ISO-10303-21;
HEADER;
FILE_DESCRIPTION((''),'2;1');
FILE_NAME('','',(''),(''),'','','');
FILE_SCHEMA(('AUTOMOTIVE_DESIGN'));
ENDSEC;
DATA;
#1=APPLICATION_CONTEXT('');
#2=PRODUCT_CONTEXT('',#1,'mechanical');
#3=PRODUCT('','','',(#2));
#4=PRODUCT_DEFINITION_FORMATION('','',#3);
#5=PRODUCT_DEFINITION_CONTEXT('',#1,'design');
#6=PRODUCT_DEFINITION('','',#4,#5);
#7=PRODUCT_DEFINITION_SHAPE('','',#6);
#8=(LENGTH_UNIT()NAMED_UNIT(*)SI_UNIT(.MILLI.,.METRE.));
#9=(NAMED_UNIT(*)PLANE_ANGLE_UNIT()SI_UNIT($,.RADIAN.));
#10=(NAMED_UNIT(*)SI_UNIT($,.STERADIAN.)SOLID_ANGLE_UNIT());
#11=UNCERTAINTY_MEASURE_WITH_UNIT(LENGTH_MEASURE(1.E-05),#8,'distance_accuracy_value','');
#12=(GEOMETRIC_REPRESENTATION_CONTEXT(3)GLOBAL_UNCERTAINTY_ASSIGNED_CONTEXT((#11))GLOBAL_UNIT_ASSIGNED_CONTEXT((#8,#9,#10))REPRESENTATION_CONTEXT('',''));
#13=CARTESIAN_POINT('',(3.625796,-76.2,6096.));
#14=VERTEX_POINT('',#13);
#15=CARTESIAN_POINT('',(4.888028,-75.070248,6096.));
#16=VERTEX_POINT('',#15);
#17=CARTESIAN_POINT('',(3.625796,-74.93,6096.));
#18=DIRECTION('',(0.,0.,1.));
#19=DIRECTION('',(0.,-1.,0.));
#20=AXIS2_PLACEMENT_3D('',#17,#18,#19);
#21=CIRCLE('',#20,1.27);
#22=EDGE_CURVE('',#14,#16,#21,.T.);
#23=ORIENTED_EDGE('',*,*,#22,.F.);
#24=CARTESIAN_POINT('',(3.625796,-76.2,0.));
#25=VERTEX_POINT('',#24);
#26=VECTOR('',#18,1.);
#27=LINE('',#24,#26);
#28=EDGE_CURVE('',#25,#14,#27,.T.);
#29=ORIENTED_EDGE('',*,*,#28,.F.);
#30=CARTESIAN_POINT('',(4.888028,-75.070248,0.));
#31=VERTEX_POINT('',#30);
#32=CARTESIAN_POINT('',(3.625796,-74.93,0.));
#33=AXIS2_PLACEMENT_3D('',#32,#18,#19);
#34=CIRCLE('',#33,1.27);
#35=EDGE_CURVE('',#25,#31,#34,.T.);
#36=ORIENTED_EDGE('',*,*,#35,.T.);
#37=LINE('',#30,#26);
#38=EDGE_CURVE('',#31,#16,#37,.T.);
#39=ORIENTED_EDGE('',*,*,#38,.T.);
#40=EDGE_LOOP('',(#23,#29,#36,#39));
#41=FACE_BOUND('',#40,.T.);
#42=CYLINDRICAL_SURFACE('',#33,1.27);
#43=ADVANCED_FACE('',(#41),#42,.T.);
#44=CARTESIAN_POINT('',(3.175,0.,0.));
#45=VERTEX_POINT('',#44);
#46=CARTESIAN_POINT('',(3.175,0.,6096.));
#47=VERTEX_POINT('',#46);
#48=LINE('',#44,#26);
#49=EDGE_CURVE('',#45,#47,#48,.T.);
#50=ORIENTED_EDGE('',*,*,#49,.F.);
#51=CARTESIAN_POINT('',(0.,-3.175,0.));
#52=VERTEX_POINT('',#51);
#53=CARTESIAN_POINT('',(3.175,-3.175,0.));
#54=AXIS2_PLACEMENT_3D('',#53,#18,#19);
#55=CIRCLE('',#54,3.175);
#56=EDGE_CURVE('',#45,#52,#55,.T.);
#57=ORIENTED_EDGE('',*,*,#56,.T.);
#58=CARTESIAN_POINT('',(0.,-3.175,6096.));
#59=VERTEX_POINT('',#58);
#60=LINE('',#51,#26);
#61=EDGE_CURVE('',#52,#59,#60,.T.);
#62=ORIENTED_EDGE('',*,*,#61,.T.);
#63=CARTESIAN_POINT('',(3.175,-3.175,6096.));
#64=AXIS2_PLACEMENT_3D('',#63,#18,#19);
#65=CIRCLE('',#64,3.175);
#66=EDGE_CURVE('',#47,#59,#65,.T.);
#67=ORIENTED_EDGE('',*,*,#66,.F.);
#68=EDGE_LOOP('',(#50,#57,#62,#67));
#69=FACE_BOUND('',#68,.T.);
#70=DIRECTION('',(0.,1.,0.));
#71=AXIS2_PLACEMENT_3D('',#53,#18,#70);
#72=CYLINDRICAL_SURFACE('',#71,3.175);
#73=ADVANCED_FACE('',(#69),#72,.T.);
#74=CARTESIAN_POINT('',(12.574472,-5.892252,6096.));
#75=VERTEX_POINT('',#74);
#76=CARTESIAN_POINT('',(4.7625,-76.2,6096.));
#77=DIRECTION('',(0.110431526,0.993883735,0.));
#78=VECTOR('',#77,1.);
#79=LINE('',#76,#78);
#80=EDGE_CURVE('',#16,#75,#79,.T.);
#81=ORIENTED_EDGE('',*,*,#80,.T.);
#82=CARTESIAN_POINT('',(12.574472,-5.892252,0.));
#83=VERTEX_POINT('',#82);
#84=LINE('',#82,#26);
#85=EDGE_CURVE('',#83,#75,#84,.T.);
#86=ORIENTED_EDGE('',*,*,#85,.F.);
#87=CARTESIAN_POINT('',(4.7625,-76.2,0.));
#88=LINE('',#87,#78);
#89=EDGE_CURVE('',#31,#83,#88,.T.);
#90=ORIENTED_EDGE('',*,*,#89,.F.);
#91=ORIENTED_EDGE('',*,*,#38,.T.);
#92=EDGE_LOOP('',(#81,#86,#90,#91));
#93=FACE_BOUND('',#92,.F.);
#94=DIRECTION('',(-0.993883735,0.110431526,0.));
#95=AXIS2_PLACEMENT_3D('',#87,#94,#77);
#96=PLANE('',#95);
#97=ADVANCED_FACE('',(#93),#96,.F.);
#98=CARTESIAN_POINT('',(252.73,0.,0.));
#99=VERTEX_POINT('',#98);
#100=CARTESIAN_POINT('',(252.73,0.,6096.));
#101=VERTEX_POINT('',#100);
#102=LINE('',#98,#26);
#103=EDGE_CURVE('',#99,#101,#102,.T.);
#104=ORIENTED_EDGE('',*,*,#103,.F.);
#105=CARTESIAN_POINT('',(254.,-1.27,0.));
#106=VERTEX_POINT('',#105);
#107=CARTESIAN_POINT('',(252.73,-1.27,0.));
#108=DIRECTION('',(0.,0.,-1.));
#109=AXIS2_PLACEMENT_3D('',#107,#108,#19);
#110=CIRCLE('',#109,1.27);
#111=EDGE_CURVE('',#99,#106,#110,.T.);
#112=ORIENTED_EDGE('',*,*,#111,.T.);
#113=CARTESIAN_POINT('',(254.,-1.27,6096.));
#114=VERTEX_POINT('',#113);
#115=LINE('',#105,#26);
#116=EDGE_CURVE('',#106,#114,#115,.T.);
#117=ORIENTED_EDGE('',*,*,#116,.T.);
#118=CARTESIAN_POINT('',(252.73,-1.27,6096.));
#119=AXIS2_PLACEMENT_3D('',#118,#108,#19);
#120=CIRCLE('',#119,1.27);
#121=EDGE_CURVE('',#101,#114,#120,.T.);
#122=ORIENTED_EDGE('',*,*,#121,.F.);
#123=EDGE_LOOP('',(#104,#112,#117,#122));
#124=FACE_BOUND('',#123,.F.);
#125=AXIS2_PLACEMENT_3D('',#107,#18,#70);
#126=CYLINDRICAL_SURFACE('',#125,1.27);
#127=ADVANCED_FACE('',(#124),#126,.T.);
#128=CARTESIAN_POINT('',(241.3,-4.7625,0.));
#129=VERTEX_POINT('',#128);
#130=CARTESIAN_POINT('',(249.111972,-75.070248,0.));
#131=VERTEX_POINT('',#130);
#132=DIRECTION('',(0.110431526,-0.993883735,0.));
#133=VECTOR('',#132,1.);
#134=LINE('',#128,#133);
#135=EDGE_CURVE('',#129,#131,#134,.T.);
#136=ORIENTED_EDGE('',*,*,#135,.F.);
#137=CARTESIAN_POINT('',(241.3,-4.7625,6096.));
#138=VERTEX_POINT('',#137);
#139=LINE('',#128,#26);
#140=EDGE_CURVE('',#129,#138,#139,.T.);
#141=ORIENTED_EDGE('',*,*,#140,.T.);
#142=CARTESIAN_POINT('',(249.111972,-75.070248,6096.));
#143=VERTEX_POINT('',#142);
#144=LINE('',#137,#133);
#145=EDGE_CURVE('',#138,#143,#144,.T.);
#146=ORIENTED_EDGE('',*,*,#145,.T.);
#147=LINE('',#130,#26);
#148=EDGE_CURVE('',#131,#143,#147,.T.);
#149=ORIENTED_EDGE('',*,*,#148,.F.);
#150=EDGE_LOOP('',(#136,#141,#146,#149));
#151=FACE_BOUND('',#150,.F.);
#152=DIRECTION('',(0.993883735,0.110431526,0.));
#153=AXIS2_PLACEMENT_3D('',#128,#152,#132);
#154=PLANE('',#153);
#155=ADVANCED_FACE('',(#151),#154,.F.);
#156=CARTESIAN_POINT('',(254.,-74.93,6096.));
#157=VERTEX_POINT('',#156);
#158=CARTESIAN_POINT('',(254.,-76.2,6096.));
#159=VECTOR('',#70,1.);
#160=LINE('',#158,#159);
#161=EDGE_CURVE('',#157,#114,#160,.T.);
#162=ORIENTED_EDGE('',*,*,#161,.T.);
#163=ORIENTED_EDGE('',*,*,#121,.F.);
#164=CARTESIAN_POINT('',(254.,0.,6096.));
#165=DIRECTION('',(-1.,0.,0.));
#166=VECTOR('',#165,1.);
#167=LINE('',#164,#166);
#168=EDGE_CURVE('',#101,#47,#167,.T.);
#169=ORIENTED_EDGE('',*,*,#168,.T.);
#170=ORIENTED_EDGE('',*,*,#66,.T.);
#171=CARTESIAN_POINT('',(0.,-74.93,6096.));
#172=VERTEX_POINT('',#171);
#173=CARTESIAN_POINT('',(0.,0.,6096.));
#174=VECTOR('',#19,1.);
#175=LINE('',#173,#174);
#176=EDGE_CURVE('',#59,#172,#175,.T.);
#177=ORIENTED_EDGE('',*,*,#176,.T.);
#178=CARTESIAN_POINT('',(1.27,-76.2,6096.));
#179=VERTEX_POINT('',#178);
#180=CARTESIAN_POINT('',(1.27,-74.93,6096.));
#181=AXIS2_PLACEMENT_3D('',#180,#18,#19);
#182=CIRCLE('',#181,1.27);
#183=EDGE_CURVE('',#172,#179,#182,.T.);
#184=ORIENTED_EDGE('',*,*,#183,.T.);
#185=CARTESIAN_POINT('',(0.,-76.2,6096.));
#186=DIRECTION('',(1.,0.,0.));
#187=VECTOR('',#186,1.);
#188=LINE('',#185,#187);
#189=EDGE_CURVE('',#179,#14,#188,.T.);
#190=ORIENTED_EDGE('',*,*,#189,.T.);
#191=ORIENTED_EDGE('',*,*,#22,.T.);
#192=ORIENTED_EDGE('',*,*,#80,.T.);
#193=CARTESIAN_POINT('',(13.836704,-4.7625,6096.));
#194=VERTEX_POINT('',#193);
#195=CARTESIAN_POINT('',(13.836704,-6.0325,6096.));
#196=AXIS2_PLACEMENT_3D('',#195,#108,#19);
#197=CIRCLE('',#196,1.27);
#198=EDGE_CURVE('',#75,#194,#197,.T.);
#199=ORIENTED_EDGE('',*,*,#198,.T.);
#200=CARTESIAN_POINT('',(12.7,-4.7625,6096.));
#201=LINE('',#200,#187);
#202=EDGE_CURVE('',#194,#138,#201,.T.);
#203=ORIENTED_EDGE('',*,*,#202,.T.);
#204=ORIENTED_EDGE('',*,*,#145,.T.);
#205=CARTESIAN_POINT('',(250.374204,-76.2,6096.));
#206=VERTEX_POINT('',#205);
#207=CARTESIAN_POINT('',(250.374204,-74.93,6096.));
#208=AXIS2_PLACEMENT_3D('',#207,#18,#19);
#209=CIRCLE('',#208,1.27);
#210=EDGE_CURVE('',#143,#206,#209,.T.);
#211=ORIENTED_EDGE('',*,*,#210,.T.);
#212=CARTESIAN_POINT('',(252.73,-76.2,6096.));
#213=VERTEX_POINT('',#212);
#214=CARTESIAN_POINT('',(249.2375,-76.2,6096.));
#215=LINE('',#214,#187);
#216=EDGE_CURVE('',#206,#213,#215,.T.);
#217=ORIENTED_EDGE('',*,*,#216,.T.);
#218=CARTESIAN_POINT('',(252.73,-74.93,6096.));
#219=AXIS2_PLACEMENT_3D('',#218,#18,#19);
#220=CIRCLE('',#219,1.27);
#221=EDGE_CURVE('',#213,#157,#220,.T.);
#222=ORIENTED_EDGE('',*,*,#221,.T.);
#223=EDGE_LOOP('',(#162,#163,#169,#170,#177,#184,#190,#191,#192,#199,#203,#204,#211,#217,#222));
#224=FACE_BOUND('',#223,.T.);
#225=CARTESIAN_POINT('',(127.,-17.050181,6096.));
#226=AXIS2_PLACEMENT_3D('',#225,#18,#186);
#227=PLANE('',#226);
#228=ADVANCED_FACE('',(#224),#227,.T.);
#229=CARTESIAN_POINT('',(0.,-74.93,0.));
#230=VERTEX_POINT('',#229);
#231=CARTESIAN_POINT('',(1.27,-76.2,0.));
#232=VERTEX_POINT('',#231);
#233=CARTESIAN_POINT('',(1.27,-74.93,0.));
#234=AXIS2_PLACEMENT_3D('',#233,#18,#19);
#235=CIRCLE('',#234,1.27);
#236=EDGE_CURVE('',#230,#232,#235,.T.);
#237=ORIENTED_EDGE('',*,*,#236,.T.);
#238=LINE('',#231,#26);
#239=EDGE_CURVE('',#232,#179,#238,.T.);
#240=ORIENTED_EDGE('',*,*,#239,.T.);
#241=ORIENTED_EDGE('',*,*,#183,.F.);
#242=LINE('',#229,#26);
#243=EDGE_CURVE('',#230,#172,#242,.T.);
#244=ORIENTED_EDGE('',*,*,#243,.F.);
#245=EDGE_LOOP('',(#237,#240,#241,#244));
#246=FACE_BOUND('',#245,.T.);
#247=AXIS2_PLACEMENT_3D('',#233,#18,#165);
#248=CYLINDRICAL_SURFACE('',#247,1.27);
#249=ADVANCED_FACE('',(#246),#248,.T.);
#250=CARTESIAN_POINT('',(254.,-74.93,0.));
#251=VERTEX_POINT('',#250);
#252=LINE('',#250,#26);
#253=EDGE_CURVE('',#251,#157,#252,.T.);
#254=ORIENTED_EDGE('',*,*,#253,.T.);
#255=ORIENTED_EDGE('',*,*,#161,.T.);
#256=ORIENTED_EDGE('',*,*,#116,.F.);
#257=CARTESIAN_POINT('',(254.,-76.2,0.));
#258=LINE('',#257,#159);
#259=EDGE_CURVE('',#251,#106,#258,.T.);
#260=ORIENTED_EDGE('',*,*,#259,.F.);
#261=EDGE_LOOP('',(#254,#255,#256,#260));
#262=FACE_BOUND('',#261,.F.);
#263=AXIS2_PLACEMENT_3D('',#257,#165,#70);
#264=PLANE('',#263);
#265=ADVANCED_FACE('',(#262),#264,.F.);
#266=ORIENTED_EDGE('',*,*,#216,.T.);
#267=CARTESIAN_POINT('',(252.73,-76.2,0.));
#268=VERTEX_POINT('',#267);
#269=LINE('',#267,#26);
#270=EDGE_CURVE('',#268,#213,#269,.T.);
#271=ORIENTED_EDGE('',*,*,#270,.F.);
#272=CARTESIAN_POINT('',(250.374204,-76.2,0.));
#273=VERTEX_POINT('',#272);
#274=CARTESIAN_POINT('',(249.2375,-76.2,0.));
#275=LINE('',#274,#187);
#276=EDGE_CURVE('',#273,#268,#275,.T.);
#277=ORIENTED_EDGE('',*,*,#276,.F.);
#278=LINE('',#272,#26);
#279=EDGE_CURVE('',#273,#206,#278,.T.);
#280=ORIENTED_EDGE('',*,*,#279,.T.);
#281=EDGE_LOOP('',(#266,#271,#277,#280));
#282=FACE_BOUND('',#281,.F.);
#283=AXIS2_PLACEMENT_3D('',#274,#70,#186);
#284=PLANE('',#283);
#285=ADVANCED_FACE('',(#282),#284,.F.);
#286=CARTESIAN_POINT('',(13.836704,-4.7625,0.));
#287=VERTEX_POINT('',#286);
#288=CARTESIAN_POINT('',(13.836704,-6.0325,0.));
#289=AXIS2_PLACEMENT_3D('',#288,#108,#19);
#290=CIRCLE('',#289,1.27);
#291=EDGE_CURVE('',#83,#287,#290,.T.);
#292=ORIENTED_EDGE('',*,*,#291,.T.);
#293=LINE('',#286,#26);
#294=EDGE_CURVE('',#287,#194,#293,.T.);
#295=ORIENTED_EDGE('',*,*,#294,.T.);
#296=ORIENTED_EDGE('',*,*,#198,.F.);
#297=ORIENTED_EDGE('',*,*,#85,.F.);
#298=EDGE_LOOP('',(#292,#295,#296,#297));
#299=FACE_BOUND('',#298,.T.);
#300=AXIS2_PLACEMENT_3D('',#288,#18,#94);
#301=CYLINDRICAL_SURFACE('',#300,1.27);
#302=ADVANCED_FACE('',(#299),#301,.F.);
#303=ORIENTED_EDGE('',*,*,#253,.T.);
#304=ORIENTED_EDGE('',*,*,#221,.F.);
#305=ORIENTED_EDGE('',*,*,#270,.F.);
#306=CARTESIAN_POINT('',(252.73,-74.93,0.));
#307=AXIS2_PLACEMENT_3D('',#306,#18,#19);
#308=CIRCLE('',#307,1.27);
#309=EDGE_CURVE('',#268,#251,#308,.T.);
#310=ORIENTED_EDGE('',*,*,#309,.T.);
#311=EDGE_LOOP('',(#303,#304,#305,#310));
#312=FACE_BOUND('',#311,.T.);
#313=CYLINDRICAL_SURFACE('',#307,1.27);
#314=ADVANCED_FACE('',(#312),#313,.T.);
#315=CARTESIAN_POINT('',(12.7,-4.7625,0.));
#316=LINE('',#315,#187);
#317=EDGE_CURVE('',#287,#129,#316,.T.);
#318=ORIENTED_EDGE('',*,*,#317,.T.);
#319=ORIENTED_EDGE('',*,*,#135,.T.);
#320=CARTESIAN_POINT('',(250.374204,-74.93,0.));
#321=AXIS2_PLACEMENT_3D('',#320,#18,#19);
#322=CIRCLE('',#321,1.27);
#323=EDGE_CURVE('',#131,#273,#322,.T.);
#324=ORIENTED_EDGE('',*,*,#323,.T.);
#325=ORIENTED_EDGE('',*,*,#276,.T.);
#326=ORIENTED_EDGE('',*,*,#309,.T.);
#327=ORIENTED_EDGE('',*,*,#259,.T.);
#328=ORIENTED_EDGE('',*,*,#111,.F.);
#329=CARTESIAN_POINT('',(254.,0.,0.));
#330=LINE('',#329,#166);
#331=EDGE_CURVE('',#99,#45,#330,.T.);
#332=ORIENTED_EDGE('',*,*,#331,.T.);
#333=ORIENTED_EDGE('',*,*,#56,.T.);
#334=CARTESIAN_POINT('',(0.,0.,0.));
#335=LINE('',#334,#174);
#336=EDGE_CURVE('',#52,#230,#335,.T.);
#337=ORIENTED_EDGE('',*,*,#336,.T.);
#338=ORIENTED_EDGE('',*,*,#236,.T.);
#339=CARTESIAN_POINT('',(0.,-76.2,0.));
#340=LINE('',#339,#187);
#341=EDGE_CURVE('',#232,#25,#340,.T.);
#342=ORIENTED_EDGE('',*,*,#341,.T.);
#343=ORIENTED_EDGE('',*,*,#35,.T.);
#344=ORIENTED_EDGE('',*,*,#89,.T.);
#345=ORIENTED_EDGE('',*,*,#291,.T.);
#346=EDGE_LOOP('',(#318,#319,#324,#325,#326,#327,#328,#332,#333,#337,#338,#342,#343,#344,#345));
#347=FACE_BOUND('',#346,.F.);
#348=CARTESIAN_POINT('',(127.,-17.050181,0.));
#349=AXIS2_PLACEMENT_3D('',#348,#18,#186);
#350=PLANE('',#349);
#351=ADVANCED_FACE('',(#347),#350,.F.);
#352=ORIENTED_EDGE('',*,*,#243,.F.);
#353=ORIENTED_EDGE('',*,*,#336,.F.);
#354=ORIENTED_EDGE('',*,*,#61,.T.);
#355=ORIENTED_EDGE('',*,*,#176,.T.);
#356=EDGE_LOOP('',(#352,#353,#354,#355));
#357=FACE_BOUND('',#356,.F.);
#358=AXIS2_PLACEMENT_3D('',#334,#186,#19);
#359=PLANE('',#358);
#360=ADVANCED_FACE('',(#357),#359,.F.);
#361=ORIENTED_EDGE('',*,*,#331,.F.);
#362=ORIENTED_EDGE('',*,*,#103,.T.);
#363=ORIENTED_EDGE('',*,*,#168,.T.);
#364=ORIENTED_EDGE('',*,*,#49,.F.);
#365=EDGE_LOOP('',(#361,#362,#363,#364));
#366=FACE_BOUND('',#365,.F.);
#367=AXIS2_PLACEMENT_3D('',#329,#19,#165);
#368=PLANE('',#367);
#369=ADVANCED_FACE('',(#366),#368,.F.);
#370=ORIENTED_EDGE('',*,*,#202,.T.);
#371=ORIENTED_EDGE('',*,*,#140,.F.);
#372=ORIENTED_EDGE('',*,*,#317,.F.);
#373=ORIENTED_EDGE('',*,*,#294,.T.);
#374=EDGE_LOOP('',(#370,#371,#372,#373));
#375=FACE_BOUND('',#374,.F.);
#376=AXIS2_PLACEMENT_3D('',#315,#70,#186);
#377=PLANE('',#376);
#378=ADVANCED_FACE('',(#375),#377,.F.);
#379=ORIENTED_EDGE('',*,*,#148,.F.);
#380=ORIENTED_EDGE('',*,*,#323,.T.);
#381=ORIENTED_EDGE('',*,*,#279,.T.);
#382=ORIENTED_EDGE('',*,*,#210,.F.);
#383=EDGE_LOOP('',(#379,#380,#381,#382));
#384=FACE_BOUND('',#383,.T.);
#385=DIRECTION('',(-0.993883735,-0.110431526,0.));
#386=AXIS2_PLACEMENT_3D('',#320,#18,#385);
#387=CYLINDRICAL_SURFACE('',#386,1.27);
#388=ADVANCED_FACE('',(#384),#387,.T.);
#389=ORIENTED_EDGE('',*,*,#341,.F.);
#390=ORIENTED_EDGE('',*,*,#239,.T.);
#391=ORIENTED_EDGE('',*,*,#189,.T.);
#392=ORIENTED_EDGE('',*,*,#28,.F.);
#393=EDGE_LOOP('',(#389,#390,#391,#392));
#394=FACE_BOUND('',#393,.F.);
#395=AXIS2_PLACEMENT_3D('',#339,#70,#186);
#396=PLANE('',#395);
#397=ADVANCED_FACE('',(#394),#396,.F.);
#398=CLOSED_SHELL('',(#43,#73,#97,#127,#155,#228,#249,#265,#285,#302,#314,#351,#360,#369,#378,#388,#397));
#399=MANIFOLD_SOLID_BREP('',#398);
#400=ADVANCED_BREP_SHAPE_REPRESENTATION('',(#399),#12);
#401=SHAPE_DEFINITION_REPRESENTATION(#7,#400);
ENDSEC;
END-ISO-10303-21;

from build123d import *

# Parameters (mm, degrees)
F1_DEPTH = 6096
F2_R     = 1.27
F3_R     = 3.175


with BuildPart() as f1:
    # F0 (on Top) → F1 (new body)
    with BuildSketch(Plane.XY):
        Polygon((254, 0), (0, 0), (0, -76.2), (4.7625, -76.2), (12.7, -4.7625), (241.3, -4.7625), (249.2375, -76.2), (254, -76.2), align=None)
    extrude(amount=F1_DEPTH)

    # F2
    f2_edges = [f1.edges().sort_by_distance(p)[0] for p in [
        (0, -76.2, 3048),
        (4.7625, -76.2, 3048),
        (12.7, -4.7625, 3048),
        (249.2375, -76.2, 3048),
        (254, -76.2, 3048),
        (254, 0, 3048),
    ]]
    fillet(f2_edges, radius=F2_R)

    # F3
    f3_edges = [f1.edges().sort_by_distance(p)[0] for p in [
        (0, 0, 3048),
    ]]
    fillet(f3_edges, radius=F3_R)


solid = f1.part
